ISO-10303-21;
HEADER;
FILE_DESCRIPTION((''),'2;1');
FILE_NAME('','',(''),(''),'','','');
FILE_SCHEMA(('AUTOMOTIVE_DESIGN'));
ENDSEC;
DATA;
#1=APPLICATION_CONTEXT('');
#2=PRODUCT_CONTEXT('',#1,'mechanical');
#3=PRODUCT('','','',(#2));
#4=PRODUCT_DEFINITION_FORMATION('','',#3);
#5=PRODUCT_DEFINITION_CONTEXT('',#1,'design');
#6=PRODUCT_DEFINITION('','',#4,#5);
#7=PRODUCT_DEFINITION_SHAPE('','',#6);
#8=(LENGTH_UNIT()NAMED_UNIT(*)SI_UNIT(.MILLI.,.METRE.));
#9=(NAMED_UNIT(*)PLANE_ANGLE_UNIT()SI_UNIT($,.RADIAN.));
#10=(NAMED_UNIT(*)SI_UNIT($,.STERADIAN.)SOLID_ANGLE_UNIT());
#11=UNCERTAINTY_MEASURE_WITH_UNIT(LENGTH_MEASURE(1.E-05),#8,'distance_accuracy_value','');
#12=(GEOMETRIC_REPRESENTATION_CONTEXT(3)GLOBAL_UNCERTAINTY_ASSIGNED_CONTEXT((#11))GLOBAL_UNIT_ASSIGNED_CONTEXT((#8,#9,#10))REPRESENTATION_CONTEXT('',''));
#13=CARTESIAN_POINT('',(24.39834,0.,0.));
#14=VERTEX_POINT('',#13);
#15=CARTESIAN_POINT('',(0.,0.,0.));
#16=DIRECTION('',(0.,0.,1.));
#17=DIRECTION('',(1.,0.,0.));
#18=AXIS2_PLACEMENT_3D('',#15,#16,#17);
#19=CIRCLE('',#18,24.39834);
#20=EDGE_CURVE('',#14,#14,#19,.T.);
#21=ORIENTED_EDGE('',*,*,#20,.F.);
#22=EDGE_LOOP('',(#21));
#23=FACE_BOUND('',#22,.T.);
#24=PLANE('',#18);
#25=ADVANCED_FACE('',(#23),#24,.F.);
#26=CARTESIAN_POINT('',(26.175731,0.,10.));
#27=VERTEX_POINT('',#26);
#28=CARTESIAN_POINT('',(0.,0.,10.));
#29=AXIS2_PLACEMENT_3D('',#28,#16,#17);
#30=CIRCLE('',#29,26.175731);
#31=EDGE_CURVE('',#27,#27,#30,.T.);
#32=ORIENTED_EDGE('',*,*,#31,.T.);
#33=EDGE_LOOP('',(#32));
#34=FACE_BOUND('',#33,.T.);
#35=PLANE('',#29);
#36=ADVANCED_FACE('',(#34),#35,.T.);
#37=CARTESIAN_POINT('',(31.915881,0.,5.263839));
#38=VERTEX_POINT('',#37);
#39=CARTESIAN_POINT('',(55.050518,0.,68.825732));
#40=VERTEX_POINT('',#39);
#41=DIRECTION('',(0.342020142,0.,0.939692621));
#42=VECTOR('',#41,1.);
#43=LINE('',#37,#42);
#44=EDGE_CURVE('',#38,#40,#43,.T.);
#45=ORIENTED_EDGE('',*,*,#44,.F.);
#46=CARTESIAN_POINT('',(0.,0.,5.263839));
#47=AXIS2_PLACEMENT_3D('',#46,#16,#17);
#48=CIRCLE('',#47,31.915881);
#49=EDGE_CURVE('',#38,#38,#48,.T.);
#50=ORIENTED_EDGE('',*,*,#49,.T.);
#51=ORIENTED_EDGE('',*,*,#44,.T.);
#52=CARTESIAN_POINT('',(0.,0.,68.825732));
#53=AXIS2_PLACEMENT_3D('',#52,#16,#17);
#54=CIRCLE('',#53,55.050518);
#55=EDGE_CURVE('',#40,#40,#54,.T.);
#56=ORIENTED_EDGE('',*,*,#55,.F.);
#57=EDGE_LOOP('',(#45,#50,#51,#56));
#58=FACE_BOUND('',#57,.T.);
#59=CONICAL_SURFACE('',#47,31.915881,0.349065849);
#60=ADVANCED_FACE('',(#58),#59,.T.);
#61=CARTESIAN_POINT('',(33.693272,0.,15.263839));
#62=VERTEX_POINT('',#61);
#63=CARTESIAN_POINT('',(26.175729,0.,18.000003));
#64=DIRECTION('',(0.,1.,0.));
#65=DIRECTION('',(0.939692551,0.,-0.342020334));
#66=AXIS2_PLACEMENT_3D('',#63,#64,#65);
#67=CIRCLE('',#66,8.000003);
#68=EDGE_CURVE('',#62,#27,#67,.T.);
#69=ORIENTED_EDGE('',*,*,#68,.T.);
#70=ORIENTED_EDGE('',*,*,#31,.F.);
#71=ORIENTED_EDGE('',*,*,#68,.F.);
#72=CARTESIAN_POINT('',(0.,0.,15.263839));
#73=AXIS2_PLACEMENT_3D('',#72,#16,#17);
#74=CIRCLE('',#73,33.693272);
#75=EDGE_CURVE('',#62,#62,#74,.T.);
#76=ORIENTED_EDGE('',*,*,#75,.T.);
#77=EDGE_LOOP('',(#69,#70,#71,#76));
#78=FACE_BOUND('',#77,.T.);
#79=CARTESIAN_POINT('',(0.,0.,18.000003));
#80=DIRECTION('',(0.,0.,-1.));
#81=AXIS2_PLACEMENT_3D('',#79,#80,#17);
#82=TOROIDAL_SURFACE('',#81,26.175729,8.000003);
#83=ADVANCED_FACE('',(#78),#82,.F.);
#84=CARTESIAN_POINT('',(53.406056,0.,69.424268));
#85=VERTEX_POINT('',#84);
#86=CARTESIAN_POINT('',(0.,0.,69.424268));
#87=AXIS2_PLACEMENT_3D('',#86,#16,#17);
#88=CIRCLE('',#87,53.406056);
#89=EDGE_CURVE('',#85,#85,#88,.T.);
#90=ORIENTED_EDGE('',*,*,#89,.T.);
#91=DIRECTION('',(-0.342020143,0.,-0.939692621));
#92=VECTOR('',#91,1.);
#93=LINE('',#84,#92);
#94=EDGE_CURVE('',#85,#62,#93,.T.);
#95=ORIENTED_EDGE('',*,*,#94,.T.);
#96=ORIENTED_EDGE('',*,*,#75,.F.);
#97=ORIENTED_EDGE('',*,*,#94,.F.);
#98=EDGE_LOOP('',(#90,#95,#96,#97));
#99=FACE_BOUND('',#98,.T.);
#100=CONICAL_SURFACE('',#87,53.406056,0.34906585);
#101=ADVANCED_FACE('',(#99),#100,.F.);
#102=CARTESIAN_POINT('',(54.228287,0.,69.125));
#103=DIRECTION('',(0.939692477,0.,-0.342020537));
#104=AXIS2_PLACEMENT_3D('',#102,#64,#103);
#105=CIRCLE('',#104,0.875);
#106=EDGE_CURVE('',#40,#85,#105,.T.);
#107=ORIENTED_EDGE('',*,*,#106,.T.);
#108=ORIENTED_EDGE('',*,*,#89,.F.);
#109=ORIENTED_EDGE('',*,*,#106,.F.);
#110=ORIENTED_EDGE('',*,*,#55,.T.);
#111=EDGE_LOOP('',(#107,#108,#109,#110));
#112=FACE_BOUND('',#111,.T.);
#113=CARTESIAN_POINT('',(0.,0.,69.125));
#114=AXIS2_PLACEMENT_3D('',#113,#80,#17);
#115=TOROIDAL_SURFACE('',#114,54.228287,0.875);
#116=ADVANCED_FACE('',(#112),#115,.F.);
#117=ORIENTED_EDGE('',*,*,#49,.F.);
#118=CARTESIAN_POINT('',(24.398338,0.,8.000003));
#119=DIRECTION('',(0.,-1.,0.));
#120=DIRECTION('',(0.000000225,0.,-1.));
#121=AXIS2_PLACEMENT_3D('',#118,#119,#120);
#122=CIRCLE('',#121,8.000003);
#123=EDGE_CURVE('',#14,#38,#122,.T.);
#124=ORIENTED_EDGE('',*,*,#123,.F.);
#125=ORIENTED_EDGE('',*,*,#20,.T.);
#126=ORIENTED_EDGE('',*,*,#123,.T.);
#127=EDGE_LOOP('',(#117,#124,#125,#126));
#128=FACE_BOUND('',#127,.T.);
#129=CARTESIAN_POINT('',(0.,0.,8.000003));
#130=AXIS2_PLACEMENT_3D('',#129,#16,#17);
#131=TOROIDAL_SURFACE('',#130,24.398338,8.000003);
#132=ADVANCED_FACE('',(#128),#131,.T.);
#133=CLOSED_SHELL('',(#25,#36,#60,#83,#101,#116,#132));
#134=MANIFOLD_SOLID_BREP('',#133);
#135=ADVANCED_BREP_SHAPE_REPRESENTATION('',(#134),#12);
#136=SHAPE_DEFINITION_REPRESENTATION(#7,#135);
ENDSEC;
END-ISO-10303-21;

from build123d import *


with BuildPart() as f1:
    # F0 (on Front) → F1 (revolve)
    with BuildSketch(Plane.XZ):
        with BuildLine():
            Line((0, 10), (0, 0))
            Line((0, 0), (24.39834, 0))
            ThreePointArc((24.39834, 0), (28.986951, 1.446784), (31.915881, 5.263839))
            Line((31.915881, 5.263839), (55.050518, 68.825732))
            ThreePointArc((55.050518, 68.825732), (53.929019, 68.302769), (53.406056, 69.424268))
            Line((53.406056, 69.424268), (33.693272, 15.263839))
            ThreePointArc((33.693272, 15.263839), (30.764342, 11.446784), (26.175731, 10))
            Line((26.175731, 10), (0, 10))
        make_face()
    revolve(axis=Axis((0, 0, 5), (0, 0, 1)))


solid = f1.part
